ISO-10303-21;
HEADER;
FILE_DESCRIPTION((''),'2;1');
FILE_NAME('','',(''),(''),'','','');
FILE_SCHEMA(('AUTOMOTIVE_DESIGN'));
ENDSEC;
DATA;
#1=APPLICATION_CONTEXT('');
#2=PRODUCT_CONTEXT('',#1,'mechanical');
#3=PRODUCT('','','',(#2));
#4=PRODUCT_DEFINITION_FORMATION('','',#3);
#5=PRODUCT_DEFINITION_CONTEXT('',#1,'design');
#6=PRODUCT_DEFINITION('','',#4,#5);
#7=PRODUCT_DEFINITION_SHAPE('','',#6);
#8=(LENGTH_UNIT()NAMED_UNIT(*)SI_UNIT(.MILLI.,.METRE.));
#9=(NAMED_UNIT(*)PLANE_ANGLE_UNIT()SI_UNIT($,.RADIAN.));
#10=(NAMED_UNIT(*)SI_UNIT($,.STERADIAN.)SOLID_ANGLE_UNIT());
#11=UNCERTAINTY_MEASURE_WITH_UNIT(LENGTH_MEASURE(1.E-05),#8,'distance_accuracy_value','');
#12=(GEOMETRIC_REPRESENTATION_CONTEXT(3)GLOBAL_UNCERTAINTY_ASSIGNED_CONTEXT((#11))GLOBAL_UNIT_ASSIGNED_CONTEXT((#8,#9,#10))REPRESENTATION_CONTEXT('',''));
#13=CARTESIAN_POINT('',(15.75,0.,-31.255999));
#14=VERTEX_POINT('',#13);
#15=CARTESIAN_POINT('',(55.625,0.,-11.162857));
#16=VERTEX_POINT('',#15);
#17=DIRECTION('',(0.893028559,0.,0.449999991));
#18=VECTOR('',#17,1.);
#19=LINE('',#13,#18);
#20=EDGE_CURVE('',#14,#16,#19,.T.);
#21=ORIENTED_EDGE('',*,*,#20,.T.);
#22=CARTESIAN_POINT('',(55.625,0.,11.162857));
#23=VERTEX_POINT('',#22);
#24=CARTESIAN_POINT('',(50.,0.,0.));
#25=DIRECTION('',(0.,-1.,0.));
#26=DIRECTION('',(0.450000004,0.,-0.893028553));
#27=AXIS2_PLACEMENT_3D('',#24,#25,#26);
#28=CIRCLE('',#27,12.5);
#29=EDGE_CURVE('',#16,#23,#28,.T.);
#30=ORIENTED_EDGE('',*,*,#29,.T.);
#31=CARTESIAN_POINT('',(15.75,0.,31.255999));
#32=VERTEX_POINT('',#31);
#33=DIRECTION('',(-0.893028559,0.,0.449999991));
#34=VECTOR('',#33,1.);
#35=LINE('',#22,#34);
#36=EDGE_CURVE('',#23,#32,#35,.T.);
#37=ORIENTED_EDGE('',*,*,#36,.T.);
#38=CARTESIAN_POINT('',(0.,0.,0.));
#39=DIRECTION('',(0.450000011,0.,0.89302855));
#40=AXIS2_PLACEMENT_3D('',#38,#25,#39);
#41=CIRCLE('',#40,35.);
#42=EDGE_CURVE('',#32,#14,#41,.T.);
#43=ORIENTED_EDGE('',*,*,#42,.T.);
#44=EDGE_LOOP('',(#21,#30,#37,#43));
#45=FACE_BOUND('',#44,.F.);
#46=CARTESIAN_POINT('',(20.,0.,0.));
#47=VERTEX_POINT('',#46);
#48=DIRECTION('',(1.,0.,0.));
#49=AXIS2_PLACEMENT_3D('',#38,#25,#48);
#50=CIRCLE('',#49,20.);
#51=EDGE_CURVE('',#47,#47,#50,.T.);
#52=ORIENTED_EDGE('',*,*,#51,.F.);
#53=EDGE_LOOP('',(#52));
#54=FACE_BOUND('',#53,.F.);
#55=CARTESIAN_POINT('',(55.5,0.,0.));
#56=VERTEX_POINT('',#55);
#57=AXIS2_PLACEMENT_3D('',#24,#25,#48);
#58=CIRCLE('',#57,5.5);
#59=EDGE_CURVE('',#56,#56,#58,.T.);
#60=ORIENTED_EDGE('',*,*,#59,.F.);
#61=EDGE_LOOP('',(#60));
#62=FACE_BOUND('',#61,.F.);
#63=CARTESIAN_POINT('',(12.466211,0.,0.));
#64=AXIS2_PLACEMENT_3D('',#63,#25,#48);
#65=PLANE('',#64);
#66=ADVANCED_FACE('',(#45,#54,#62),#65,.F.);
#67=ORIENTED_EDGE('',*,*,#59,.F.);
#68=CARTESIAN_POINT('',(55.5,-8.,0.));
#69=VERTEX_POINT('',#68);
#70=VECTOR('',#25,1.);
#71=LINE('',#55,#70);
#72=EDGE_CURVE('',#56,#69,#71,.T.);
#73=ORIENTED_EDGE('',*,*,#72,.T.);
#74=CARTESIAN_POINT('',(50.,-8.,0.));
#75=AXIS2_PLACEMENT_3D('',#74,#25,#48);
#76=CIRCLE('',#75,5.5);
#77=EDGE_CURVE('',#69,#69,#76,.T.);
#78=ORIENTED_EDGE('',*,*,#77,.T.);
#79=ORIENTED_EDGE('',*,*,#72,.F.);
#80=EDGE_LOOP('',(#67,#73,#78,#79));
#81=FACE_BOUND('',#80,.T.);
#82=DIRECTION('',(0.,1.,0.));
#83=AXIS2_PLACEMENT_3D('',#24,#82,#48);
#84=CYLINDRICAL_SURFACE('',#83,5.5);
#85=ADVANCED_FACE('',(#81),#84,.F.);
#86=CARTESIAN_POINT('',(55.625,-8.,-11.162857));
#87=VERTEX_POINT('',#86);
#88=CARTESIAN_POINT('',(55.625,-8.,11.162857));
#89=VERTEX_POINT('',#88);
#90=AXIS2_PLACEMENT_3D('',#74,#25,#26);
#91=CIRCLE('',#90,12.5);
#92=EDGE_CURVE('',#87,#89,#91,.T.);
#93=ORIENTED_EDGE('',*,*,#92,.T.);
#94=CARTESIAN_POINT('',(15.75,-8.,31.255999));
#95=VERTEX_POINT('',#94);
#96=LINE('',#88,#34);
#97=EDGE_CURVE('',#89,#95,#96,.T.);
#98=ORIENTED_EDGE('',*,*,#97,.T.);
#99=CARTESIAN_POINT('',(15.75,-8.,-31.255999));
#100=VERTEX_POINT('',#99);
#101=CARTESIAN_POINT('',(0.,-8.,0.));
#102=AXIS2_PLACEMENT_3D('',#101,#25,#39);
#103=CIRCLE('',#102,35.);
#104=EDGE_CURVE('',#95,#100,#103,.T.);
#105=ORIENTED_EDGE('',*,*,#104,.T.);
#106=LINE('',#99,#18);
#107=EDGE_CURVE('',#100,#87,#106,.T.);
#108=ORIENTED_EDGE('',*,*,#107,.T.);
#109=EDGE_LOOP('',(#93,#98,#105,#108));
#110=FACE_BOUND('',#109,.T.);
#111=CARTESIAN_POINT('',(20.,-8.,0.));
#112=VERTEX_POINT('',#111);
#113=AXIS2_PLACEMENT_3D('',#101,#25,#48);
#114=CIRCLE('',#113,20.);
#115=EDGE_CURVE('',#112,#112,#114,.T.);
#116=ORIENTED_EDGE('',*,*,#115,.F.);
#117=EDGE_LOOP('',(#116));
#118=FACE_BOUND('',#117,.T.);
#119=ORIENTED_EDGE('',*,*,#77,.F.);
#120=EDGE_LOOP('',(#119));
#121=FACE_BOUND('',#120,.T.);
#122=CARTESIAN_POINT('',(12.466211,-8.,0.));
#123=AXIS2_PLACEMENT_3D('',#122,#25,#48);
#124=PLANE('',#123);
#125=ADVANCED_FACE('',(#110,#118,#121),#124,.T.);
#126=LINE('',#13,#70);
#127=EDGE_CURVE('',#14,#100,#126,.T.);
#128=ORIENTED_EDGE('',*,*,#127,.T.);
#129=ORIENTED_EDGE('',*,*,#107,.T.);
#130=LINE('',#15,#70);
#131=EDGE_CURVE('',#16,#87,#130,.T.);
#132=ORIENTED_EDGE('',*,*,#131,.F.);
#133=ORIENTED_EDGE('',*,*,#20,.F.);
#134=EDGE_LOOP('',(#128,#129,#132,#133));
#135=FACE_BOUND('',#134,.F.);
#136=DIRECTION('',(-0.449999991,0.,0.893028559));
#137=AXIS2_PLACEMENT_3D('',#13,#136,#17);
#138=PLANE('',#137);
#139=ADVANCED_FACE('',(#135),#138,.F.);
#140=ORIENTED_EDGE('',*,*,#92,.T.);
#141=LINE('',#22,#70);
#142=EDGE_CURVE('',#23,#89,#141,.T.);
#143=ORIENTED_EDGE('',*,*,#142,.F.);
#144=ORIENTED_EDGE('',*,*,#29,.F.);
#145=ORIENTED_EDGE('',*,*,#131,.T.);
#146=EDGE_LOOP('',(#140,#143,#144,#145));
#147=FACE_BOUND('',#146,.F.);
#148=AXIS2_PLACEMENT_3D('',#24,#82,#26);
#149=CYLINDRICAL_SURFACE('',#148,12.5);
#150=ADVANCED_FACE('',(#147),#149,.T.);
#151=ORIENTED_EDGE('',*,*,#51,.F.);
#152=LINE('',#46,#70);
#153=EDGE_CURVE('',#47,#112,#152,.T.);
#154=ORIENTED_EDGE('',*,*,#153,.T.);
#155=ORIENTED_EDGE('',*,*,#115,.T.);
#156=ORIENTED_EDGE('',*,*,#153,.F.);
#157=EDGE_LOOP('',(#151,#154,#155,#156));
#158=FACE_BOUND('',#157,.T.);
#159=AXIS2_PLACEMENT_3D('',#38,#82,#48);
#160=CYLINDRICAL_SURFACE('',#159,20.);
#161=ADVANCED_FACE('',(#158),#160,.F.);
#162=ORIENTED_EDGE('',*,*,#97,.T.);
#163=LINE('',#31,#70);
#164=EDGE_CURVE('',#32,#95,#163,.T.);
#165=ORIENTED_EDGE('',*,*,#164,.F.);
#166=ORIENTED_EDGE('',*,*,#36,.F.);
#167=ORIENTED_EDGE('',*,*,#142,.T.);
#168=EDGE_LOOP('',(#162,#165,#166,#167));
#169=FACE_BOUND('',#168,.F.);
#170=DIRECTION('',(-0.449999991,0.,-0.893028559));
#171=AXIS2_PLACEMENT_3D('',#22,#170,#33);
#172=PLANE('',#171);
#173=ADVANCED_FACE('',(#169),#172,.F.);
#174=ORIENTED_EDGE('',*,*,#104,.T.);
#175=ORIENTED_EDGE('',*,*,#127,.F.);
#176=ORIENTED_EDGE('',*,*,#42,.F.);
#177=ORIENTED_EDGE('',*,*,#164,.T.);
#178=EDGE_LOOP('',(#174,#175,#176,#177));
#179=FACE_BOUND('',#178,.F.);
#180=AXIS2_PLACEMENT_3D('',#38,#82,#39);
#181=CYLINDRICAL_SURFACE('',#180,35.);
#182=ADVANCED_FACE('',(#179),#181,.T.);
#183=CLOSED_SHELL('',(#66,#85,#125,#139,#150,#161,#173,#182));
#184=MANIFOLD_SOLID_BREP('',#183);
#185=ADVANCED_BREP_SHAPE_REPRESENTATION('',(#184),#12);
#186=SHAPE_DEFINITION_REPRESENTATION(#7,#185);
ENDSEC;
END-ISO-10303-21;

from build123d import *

# Parameters (mm, degrees)
F0_R     = 20
F0_R_2   = 5.5
F1_DEPTH = 8


with BuildPart() as f1:
    # F0 (on Front) → F1 (new body)
    with BuildSketch(Plane.XZ):
        with BuildLine():
            Line((55.625, 11.162857), (15.75, 31.255999))
            ThreePointArc((15.75, 31.255999), (-35, 0), (15.75, -31.255999))
            Line((15.75, -31.255999), (55.625, -11.162857))
            ThreePointArc((55.625, -11.162857), (62.5, 0), (55.625, 11.162857))
        make_face()
        Circle(F0_R, mode=Mode.SUBTRACT)
        with Locations((50, 0)):
            Circle(F0_R_2, mode=Mode.SUBTRACT)
    extrude(amount=F1_DEPTH)


solid = f1.part
